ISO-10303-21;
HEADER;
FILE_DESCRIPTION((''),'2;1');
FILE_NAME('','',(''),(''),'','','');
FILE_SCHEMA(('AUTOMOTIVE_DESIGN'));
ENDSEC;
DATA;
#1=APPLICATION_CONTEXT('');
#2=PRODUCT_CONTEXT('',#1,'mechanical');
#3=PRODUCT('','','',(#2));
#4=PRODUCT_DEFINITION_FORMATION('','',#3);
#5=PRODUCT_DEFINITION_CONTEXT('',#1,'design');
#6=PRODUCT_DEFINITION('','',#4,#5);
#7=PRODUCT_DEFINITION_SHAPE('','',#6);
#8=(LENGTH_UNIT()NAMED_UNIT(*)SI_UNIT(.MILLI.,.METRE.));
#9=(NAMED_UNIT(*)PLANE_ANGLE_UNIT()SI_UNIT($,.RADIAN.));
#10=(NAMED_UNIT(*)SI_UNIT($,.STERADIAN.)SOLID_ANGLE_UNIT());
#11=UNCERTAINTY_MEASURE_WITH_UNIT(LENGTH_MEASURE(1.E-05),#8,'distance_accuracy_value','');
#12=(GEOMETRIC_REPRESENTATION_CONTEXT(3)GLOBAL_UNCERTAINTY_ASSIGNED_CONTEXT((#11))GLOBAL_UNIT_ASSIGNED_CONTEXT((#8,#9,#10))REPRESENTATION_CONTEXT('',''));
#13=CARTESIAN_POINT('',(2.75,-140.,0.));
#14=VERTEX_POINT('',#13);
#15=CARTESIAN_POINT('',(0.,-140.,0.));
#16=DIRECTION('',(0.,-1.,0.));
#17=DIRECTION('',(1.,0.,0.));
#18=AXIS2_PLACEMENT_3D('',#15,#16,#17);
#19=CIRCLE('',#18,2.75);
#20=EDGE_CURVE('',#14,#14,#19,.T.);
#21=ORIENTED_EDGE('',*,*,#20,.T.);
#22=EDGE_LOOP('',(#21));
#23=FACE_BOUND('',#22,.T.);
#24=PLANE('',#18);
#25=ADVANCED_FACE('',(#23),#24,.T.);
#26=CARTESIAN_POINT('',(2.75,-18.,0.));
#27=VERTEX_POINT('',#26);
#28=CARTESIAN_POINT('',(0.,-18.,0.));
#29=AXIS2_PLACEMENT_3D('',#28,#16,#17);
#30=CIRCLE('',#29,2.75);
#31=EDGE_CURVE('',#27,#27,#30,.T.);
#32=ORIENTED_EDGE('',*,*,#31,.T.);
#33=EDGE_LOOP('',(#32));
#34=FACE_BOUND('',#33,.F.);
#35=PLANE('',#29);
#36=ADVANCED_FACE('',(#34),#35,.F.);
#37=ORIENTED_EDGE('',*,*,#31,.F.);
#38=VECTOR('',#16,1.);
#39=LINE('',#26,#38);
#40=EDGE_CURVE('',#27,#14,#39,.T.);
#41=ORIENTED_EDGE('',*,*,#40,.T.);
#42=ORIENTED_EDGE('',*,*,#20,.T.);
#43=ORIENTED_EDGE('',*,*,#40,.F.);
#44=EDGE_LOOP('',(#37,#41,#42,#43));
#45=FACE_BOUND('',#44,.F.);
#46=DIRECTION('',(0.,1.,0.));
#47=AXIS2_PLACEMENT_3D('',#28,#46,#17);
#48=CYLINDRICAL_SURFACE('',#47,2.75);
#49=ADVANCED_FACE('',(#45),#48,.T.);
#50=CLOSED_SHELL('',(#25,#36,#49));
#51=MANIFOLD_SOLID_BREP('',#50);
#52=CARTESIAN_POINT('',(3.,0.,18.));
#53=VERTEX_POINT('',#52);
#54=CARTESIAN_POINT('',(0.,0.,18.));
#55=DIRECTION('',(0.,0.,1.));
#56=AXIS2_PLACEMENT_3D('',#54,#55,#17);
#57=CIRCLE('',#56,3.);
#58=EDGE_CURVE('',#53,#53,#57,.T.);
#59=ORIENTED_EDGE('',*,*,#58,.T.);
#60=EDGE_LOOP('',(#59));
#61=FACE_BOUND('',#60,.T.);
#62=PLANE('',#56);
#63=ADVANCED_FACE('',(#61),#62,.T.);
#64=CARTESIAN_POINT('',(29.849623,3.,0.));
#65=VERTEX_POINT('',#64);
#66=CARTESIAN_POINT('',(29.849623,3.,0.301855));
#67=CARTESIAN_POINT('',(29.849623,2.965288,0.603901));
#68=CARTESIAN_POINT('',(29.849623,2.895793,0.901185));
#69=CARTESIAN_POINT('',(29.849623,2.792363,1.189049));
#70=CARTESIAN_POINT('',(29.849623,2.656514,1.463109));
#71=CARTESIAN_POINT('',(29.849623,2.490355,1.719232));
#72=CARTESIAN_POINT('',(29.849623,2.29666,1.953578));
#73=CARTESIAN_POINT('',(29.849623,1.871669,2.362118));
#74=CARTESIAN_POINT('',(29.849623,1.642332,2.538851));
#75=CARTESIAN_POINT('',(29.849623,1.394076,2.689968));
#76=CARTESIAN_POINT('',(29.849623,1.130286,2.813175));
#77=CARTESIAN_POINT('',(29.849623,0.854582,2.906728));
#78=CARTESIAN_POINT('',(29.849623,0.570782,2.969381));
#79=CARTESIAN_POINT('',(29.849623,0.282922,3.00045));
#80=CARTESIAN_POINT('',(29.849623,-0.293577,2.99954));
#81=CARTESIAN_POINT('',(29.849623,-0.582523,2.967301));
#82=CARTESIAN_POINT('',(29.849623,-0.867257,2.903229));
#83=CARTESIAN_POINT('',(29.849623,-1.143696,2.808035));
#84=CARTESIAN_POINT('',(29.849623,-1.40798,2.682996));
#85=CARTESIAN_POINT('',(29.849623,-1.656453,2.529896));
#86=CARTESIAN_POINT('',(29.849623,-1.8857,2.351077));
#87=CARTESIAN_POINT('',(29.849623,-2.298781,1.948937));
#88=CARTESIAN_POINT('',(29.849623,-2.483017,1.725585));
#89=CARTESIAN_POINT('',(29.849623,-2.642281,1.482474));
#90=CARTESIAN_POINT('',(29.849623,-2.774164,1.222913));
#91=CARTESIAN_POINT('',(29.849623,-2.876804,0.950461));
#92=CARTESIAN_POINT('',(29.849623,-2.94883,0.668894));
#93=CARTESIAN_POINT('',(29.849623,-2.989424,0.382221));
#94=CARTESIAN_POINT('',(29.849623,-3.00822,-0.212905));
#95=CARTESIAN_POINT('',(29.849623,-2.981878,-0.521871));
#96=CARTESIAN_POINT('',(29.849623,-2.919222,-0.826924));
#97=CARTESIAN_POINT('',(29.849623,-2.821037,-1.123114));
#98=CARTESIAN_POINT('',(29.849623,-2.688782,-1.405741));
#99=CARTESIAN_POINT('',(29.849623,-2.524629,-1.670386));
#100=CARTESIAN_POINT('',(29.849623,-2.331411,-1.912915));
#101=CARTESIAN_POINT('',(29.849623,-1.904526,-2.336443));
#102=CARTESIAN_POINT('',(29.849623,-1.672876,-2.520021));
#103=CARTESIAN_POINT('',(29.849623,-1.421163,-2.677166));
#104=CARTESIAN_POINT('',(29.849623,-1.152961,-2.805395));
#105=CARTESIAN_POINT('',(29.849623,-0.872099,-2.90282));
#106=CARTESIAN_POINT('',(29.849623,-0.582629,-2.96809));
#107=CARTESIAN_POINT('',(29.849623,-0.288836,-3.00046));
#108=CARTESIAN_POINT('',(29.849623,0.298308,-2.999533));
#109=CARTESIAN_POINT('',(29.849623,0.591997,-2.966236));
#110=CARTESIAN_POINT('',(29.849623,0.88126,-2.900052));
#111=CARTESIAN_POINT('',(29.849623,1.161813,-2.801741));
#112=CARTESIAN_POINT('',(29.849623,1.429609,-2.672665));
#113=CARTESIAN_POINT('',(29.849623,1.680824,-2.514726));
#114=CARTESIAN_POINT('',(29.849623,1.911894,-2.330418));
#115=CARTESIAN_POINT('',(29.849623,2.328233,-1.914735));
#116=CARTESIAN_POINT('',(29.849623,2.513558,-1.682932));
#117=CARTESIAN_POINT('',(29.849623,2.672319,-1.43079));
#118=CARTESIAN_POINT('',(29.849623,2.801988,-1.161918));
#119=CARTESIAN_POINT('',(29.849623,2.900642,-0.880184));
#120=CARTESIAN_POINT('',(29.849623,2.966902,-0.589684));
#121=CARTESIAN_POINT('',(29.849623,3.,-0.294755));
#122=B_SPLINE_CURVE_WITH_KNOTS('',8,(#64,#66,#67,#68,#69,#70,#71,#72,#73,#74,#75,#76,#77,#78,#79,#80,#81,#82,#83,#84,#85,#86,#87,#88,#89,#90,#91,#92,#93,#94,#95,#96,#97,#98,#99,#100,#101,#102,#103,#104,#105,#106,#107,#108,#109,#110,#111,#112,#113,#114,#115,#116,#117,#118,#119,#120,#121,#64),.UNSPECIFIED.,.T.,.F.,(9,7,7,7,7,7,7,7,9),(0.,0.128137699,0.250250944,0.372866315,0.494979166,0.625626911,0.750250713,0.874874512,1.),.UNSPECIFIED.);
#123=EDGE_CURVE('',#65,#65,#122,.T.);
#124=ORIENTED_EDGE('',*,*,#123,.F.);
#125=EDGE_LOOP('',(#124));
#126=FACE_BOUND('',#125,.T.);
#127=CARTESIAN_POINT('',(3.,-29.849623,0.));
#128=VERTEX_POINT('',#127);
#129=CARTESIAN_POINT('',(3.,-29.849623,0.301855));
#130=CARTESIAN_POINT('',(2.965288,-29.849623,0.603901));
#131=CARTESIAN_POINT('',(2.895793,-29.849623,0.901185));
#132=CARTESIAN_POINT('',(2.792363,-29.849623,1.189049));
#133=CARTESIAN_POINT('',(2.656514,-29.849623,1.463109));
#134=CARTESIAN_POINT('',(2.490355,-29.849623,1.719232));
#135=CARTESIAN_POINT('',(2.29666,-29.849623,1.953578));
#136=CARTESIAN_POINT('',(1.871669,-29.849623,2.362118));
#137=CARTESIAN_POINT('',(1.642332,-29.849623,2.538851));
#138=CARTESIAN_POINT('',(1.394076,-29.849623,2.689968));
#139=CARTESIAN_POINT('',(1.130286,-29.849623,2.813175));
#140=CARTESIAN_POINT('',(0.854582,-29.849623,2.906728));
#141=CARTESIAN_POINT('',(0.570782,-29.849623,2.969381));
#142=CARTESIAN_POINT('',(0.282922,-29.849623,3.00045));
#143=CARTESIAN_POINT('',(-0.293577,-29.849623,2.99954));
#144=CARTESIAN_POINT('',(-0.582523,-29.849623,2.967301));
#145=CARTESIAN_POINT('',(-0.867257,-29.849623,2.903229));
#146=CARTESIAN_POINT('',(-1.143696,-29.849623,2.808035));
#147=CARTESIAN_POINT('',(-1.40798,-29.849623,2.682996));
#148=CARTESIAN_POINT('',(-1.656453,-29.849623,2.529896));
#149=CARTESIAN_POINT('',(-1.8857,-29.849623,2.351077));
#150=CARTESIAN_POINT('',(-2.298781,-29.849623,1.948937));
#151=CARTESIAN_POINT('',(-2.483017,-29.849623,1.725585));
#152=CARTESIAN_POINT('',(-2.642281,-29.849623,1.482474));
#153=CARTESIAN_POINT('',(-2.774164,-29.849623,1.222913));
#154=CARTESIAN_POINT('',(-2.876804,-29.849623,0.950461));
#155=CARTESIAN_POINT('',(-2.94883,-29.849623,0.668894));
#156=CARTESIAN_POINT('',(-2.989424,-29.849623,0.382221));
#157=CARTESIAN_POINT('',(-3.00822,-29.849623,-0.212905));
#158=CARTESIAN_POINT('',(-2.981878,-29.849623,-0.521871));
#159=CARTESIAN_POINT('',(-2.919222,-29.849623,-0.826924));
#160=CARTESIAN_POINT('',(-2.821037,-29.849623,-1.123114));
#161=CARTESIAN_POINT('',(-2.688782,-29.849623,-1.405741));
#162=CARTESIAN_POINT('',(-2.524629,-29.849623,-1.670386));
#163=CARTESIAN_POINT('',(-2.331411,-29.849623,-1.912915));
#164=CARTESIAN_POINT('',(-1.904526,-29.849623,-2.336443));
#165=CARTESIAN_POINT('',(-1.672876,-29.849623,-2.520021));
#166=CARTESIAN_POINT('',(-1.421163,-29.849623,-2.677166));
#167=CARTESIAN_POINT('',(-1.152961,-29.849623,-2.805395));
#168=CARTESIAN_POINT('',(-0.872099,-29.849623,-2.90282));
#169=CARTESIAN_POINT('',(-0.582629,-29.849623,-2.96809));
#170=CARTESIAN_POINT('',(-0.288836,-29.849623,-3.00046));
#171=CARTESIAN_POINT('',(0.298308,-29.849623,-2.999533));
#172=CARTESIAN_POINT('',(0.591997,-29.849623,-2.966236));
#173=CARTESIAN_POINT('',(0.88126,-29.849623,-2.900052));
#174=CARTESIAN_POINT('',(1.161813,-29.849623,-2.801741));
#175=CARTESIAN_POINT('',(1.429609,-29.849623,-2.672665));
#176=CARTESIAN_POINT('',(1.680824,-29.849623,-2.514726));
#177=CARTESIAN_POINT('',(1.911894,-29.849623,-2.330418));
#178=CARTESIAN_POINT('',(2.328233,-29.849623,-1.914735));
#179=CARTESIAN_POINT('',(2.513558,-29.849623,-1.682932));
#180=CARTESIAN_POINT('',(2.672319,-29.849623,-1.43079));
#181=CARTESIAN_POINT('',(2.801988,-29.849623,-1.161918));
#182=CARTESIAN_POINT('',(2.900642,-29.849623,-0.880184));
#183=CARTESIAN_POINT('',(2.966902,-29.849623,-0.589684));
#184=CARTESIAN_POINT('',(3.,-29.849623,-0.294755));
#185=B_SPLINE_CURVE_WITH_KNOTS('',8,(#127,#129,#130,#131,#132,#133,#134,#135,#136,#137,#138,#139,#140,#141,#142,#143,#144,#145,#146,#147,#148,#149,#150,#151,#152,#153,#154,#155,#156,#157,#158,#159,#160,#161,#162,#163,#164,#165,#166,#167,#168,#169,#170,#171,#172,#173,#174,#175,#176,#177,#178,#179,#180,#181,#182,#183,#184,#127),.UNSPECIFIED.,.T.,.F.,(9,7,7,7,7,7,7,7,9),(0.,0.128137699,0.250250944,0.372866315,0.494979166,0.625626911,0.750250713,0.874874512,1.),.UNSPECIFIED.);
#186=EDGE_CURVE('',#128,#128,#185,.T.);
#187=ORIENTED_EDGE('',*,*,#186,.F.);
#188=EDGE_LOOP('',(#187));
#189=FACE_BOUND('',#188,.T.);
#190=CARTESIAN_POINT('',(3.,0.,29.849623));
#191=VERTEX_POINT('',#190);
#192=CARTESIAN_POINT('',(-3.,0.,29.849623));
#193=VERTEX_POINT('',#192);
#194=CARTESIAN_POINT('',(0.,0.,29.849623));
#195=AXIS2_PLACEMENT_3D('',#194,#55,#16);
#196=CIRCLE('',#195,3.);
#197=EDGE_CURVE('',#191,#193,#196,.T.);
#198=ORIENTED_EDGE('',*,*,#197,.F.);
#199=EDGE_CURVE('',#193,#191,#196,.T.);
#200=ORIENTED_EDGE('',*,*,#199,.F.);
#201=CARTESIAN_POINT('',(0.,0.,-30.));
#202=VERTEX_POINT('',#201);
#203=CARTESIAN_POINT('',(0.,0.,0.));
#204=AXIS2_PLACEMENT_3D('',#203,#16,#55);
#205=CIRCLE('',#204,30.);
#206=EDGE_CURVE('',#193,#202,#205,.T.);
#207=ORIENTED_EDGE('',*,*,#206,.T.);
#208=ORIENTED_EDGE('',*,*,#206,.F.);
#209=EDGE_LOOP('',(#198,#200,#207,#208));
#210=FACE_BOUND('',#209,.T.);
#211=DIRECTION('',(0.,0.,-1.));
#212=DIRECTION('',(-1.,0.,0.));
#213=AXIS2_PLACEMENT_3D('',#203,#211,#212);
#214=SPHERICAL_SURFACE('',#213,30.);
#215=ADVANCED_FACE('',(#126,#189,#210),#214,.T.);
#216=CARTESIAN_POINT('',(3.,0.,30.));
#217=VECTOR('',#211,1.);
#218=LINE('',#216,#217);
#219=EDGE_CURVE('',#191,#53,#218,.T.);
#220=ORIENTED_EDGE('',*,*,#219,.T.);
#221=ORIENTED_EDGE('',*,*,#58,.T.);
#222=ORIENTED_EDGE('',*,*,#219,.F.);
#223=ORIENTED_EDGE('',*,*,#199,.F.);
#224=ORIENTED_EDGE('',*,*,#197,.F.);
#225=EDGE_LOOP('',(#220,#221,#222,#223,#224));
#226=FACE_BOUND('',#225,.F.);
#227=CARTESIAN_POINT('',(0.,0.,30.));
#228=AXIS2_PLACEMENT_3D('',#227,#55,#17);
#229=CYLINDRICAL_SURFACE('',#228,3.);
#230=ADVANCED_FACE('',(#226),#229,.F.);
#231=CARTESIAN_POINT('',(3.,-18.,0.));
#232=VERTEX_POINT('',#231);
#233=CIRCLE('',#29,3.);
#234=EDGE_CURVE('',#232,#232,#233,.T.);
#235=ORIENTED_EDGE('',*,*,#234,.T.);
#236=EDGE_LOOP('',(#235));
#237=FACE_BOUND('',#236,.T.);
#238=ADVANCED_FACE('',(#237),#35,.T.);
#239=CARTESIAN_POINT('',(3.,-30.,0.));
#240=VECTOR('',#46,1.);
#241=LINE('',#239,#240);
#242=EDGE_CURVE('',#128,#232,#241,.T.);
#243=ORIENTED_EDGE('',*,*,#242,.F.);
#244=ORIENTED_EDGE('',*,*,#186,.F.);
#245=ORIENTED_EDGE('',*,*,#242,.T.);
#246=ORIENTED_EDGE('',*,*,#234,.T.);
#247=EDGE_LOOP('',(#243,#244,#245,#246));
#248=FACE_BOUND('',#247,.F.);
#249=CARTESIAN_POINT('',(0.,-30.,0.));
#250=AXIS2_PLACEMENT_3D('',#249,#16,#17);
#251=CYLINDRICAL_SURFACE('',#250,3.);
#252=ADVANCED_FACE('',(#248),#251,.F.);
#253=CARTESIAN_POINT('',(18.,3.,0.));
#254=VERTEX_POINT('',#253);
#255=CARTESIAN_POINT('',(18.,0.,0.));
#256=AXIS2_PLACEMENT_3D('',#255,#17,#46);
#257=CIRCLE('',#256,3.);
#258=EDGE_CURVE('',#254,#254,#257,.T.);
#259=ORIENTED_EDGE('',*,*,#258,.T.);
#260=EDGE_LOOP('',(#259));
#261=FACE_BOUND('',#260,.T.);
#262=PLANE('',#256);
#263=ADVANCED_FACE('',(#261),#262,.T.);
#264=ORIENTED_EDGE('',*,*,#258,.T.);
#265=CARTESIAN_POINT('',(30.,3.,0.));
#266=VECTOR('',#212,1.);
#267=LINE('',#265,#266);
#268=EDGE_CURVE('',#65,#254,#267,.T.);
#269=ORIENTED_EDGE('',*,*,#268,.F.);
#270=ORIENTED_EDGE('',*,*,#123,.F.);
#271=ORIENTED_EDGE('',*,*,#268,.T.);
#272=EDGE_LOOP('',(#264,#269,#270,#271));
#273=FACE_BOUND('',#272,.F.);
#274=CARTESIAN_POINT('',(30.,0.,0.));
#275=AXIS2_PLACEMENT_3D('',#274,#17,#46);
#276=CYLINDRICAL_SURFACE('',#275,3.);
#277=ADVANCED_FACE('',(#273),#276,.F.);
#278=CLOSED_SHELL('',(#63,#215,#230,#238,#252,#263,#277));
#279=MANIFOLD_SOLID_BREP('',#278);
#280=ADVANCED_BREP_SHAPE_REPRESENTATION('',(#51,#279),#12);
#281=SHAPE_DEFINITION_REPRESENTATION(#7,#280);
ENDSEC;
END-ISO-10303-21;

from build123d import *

# Parameters (mm, degrees)
F6_R      = 3
F7_DEPTH  = 12
F9_R      = 3
F10_DEPTH = 12
F12_R     = 3
F13_DEPTH = 12
F14_R     = 2.75
F15_DEPTH = 122


with BuildPart() as f4:
    # F3 (on Front) → F4 (revolve)
    with BuildSketch(Plane.XZ):
        with BuildLine():
            ThreePointArc((0, 30), (-30, 0), (0, -30))
            Line((0, -30), (0, 30))
        make_face()
    revolve(axis=Axis((0, 0, 0), (0, 0, -1)))

    # F6 (on offset) → F7 (cut)
    with BuildSketch(Plane.XZ.offset(30)):
        Circle(F6_R)
    extrude(amount=-F7_DEPTH, mode=Mode.SUBTRACT)

    # F9 (on offset) → F10 (cut)
    with BuildSketch(Plane.YZ.offset(30)):
        Circle(F9_R)
    extrude(amount=-F10_DEPTH, mode=Mode.SUBTRACT)

    # F12 (on offset) → F13 (cut)
    with BuildSketch(Plane.XY.offset(30)):
        Circle(F12_R)
    extrude(amount=-F13_DEPTH, mode=Mode.SUBTRACT)


with BuildPart() as f15:
    # F14 (on face) → F15 (new body)
    with BuildSketch(Plane.XZ.offset(18)):
        Circle(F14_R)
    extrude(amount=F15_DEPTH)


solid = Compound([f4.part, f15.part])
